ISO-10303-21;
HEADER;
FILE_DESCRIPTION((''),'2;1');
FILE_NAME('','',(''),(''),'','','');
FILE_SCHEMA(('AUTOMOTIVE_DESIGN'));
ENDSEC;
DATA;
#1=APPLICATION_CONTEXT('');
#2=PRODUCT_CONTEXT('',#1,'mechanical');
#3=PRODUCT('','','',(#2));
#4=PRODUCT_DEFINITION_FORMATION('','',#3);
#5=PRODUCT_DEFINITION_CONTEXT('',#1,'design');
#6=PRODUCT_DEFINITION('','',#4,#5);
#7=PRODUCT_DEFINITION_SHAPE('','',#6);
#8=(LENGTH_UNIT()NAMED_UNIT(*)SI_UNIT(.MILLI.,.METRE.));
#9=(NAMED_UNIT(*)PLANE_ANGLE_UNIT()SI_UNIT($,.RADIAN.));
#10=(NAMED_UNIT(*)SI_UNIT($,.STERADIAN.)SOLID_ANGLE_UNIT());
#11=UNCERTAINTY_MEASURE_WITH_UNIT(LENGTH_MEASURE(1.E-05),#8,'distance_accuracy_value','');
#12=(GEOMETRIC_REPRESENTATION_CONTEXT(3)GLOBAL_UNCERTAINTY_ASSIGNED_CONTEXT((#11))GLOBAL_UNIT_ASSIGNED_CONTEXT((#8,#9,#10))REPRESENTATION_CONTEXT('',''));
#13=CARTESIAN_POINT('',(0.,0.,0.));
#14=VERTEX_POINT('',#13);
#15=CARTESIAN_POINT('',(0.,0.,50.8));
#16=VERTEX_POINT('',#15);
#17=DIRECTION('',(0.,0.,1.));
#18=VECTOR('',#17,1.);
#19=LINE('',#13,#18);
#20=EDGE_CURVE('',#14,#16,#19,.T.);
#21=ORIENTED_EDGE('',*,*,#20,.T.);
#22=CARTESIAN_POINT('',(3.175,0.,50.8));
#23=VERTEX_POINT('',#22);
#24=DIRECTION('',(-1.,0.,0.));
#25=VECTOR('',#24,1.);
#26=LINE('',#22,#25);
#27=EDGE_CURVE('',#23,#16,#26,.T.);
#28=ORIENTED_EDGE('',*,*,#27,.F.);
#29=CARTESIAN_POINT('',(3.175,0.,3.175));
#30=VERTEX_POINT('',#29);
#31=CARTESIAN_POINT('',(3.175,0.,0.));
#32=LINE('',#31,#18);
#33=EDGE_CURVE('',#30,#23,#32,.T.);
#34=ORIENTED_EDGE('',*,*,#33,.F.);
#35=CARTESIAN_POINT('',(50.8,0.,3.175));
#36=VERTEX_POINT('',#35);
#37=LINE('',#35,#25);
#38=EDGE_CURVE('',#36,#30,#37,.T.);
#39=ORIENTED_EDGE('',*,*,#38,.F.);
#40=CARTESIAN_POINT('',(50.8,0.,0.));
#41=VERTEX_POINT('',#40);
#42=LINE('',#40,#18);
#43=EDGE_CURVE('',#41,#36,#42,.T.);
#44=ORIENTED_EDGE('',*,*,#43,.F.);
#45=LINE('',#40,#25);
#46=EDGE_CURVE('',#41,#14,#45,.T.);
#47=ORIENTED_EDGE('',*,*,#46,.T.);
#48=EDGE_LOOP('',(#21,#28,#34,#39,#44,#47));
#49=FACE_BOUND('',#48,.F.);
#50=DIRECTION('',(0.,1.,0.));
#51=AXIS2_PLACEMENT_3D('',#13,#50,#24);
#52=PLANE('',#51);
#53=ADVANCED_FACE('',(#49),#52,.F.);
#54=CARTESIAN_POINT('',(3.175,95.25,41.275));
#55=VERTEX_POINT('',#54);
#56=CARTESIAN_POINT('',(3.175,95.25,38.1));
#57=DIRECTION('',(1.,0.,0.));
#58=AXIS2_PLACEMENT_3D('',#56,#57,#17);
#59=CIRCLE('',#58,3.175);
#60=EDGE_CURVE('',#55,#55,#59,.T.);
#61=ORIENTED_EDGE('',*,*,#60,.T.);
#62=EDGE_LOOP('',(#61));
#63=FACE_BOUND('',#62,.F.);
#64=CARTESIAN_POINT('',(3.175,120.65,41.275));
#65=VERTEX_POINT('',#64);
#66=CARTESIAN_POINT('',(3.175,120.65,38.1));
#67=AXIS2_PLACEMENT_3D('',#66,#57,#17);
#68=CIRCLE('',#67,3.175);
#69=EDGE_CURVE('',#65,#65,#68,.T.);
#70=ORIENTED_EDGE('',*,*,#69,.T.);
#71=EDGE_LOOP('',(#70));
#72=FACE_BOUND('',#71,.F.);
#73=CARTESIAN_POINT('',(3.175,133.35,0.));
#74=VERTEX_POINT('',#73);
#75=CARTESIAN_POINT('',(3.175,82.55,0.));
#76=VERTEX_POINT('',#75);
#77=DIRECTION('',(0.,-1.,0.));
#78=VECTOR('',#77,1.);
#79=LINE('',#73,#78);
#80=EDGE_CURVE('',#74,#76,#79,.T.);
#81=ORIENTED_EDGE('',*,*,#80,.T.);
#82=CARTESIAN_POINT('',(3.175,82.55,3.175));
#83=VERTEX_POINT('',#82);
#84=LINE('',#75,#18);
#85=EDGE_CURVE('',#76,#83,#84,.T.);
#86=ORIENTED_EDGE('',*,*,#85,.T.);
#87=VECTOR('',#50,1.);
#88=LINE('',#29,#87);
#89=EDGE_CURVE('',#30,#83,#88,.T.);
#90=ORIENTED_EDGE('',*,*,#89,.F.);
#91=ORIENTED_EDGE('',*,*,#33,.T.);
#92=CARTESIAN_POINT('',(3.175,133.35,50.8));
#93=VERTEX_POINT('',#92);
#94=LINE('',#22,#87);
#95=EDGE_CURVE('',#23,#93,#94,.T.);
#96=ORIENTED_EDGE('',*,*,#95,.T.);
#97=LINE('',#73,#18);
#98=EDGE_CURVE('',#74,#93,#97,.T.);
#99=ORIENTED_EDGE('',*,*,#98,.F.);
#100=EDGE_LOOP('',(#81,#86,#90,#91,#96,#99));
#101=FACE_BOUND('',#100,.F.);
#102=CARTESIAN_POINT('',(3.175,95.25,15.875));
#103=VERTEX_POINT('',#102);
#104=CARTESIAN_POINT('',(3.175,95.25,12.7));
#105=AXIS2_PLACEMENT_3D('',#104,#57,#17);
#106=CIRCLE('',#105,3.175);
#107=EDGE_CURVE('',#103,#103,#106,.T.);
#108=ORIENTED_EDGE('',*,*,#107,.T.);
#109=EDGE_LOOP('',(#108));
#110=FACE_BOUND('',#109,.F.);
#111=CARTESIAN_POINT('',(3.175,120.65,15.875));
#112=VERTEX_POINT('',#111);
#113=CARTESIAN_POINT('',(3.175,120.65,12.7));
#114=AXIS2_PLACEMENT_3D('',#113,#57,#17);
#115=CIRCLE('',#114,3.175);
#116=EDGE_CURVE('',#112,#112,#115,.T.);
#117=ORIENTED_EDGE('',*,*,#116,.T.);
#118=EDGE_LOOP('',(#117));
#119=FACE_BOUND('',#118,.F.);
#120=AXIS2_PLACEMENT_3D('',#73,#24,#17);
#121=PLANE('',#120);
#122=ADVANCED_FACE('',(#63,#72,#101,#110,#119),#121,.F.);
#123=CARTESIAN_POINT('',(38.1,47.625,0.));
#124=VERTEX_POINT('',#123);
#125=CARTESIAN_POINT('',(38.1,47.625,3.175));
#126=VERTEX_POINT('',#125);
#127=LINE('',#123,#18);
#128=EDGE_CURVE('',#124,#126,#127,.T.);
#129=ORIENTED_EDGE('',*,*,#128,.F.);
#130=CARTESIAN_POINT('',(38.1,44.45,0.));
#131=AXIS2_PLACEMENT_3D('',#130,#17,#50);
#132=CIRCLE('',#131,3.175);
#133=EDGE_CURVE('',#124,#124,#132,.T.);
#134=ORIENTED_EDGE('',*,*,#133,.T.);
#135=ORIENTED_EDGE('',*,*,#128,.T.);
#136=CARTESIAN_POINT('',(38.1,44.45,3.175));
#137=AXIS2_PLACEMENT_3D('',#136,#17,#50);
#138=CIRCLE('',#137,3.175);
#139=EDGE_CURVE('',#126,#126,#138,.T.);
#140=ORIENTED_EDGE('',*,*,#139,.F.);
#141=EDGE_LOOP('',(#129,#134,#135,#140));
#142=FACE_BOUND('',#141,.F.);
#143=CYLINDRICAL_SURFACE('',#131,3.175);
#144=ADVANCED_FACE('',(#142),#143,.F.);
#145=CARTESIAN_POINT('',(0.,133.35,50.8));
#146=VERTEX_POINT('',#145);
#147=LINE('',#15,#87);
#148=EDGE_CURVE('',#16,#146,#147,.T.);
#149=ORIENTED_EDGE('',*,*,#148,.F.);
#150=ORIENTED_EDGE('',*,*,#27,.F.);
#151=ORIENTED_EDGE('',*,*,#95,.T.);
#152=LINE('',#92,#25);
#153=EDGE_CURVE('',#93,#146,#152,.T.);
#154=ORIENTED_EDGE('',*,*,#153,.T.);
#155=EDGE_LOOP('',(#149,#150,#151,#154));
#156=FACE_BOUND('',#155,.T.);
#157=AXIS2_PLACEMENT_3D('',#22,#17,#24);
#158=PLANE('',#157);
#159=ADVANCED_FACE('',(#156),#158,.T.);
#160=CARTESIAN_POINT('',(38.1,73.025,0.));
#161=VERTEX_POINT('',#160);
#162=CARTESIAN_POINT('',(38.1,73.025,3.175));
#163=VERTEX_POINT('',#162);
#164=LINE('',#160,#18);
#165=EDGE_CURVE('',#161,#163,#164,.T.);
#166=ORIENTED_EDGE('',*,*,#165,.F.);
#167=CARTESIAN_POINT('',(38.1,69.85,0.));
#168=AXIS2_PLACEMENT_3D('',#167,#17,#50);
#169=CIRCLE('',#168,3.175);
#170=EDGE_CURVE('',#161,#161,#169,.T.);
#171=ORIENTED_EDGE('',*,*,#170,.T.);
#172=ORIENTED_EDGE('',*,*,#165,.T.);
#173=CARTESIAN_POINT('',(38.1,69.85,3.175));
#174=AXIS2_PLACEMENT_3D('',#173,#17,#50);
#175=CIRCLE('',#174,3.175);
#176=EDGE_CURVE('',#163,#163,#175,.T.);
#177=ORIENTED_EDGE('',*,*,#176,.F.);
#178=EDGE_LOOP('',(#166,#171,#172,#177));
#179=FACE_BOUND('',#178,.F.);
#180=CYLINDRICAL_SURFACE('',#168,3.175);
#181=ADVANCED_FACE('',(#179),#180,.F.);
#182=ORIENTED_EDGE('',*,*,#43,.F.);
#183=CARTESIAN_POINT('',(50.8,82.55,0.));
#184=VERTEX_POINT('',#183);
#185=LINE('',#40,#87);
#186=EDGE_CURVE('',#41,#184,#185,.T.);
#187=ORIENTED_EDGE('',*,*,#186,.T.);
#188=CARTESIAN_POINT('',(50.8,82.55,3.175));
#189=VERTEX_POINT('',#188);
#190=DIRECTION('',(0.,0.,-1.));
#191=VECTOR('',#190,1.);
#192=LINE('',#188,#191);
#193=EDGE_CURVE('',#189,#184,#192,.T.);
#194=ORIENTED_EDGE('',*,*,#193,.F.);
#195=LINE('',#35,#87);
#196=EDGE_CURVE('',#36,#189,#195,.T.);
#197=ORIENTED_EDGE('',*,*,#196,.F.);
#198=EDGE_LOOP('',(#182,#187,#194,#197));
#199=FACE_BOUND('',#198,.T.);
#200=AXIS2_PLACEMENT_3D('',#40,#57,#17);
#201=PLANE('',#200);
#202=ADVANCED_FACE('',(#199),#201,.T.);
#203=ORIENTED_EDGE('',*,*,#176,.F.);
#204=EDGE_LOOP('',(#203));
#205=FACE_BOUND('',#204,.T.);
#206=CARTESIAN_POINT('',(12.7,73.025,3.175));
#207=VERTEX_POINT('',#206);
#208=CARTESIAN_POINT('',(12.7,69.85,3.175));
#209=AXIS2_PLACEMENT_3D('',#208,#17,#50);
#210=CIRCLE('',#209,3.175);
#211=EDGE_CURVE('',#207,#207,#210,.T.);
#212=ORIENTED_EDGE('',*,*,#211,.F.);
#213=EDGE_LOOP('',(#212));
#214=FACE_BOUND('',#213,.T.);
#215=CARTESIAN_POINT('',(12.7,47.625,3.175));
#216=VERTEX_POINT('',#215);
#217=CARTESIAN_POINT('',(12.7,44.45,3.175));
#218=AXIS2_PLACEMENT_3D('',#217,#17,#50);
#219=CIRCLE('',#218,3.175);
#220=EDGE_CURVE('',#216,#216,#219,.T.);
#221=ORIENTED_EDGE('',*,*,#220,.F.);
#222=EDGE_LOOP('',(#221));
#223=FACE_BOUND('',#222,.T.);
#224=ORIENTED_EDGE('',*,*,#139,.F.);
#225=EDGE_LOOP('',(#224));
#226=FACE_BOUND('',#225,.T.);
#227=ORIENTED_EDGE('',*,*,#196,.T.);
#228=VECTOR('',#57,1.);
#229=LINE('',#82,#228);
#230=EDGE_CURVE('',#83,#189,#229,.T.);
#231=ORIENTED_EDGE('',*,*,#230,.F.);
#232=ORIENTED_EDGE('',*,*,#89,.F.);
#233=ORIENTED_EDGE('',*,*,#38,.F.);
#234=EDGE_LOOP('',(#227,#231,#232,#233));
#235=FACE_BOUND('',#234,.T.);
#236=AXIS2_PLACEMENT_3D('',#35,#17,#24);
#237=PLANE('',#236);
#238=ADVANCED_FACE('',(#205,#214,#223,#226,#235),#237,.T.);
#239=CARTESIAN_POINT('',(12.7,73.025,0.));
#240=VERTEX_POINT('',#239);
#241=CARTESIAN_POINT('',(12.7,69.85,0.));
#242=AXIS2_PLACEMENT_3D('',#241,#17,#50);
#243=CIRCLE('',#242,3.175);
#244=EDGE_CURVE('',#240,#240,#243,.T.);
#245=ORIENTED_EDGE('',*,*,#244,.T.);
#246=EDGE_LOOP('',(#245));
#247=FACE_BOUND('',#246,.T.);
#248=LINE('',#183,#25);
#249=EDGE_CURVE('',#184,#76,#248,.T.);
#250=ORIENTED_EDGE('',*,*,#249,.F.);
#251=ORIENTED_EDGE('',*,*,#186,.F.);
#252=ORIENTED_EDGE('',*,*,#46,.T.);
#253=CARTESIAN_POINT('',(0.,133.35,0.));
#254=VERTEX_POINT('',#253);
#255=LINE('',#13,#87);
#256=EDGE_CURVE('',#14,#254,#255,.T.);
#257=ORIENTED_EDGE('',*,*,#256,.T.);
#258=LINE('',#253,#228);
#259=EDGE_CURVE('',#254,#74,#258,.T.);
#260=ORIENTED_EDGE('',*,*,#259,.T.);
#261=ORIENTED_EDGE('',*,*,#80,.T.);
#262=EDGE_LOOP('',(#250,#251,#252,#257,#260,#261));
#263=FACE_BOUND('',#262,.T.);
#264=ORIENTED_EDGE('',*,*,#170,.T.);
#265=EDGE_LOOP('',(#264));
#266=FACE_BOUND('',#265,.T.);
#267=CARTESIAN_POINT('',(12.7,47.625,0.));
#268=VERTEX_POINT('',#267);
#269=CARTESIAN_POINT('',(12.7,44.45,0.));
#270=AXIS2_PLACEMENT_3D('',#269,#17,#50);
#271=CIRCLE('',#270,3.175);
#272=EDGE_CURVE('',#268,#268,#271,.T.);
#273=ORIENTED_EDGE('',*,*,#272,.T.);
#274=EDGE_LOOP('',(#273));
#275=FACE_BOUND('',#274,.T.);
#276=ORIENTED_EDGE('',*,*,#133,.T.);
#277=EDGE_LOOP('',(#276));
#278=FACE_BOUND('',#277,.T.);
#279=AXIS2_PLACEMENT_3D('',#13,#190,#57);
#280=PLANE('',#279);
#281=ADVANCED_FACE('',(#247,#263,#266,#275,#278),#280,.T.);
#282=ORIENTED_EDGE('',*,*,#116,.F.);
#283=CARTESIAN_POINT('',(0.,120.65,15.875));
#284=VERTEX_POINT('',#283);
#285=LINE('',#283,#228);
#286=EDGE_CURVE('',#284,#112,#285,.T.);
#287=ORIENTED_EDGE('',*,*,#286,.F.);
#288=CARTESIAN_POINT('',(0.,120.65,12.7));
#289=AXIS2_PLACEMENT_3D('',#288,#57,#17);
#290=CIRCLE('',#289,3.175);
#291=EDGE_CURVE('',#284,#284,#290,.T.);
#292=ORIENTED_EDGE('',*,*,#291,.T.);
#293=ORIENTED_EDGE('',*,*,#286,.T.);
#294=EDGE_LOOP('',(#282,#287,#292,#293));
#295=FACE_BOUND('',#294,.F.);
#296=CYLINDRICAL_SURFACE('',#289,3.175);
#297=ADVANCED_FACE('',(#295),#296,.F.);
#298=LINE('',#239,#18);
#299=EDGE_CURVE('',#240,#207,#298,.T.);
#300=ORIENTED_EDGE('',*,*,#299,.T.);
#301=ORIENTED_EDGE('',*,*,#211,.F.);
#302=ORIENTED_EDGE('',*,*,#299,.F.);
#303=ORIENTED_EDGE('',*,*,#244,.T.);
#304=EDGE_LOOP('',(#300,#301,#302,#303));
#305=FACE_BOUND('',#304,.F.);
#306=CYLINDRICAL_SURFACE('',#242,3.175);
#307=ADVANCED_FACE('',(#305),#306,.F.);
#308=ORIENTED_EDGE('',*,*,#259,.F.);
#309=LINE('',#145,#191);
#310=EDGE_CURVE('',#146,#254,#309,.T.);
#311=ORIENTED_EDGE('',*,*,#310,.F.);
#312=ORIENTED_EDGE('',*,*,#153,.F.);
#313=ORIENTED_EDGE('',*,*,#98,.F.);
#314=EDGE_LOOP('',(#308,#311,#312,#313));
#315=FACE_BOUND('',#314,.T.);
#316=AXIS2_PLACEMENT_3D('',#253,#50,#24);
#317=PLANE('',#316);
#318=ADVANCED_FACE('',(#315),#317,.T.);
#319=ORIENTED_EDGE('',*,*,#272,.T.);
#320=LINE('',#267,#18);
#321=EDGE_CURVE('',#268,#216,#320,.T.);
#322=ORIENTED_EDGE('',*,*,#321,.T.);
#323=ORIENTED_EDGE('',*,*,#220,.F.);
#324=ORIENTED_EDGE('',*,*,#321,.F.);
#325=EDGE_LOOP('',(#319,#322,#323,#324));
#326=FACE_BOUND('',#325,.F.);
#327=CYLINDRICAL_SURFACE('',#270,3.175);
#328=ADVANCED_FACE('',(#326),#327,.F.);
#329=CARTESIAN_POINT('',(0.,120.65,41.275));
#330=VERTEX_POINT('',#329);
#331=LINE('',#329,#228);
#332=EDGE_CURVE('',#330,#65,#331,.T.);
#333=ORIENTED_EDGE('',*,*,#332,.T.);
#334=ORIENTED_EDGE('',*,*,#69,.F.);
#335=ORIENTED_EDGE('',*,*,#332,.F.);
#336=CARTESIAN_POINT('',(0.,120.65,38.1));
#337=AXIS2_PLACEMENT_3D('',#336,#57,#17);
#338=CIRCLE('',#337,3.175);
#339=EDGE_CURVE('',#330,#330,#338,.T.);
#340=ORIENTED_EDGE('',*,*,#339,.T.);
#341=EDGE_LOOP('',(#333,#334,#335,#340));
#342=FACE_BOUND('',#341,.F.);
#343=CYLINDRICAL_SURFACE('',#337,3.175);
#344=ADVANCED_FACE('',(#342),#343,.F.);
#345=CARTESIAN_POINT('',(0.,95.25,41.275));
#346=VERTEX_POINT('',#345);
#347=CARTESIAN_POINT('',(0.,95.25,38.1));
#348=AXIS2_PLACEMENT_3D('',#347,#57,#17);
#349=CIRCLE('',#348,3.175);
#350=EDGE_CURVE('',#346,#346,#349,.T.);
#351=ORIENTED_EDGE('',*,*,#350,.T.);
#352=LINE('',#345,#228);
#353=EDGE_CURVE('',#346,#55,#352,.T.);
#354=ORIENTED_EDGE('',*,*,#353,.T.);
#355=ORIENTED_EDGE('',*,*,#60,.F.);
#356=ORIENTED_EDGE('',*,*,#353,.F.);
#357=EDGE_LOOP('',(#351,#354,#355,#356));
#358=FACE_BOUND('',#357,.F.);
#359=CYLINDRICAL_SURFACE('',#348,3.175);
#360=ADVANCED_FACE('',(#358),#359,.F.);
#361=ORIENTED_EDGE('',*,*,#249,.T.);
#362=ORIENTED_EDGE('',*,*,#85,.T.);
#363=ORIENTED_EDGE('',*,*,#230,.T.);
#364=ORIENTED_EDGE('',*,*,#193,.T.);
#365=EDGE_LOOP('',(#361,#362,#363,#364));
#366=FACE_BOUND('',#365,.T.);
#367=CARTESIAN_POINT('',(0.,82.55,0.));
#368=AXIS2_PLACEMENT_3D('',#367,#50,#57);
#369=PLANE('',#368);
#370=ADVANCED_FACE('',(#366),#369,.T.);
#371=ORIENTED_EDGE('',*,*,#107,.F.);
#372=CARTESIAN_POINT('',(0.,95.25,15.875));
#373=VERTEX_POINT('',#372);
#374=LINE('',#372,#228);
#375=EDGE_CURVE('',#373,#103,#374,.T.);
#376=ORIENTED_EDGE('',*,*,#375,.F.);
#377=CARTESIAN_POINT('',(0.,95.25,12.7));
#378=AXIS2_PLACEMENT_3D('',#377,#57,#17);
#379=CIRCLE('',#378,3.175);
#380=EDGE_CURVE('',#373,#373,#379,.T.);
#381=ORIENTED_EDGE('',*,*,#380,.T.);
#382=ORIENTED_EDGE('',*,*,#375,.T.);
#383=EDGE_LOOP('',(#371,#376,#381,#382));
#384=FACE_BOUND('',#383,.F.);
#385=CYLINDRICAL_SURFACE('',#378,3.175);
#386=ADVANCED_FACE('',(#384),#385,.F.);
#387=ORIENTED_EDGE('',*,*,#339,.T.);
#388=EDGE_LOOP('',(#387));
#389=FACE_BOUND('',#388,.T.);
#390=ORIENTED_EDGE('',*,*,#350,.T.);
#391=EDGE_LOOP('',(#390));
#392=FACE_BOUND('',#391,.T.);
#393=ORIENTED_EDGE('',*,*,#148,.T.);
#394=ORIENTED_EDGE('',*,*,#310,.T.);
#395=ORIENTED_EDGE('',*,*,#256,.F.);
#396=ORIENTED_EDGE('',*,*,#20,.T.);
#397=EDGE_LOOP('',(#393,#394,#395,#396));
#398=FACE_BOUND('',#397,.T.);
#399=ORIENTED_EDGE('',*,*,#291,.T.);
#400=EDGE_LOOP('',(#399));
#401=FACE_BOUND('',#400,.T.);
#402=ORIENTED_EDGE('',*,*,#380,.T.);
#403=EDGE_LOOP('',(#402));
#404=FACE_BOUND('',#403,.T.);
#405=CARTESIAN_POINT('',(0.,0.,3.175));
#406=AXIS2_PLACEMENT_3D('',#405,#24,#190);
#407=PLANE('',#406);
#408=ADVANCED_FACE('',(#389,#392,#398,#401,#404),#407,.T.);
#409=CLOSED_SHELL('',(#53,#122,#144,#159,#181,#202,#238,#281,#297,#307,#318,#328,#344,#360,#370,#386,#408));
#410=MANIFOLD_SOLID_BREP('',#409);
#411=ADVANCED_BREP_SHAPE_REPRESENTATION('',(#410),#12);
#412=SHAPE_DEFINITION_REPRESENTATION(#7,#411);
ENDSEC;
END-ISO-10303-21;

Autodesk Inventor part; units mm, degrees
ref_plane "YZ Plane" through (0, 0, 0) normal (1, 0, 0) x (0, 1, 0)
ref_plane "XZ Plane" through (0, 0, 0) normal (0, 1, 0) x (-1, 0, 0)
ref_plane "XY Plane" through (0, 0, 0) normal (0, 0, 1) x (1, 0, 0)
sketch "Sketch1" plane through (0, 0, 0) normal (0, 1, 0) x (-1, 0, 0)
  line L0 (0, 0) -> (-3.175, 0)
  line L1 (-3.175, 0) -> (-3.175, 50.8)
  line L2 (-3.175, 50.8) -> (0, 50.8)
  line L3 (0, 50.8) -> (0, 0)
  line L4 (0, 0) -> (-50.8, 0)
  line L5 (-50.8, 0) -> (-50.8, 3.175)
  line L6 (-50.8, 3.175) -> (0, 3.175)
  line L7 (0, 3.175) -> (0, 0)
  dimension "d0" = 3.175
  dimension "d1" = 50.8
  dimension "d2" = 50.8
  dimension "d3" = 3.175
extrude "Extrusion1" add sketch "Sketch1" along normal blind 133.35
sketch "Sketch2" plane through (0, 0, 0) normal (-1, 0, 0) x (0, 0, 1)
  line L0 (0, 0) -> (50.8, 0) projected
  line L1 (50.8, 0) -> (50.8, 133.35) projected
  line L2 (0, 133.35) -> (50.8, 133.35) projected
  line L3 (0, 0) -> (0, 133.35) projected
  point P0 (12.7, 120.65)
  point P1 (38.1, 120.65)
  point P2 (38.1, 95.25)
  point P3 (12.7, 95.25)
  dimension "d6" = 12.7
  dimension "d7" = 12.7
  dimension "d8" = 12.7
  dimension "d9" = 12.7
  dimension "d10" = 12.7
  dimension "d11" = 38.1
  dimension "d12" = 12.7
  dimension "d13" = 38.1
hole "Hole1" at (0, 120.65, 12.7) at (0, 120.65, 38.1) at (0, 95.25, 38.1) at (0, 95.25, 12.7) direction (1, 0, 0) diameter 6.35 end through all
sketch "Sketch3" plane through (50.8, 0, 0) normal (0, 0, -1) x (-1, 0, 0)
  line L0 (0, 0) -> (50.8, 0) projected
  line L1 (50.8, 0) -> (50.8, 133.35) projected
  line L2 (0, 133.35) -> (50.8, 133.35) projected
  line L3 (0, 0) -> (0, 133.35) projected
  point P0 (12.7, 69.85)
  point P1 (38.1, 69.85)
  point P2 (38.1, 44.45)
  point P3 (12.7, 44.45)
  dimension "d21" = 12.7
  dimension "d22" = 12.7
  dimension "d23" = 63.5
  dimension "d24" = 63.5
  dimension "d34" = 12.7
  dimension "d35" = 88.9
  dimension "d36" = 88.9
  dimension "d37" = 12.7
sketch "Sketch4" plane through (0, 133.35, 0) normal (0, 1, 0) x (1, 0, 0)
  line L0 (0, 0) -> (0, -50.8) projected
  line L1 (0, -50.8) -> (3.175, -50.8) projected
  line L2 (3.175, -50.8) -> (3.175, -3.175) projected
  line L3 (3.175, -3.175) -> (50.8, -3.175) projected
  line L4 (50.8, -3.175) -> (50.8, 0) projected
  line L5 (50.8, 0) -> (0, 0) projected
  line L6 (50.8, 0) -> (3.175, 0)
  line L7 (3.175, 0) -> (3.175, -3.175)
  line L8 (3.175, -3.175) -> (50.8, -3.175)
  line L9 (50.8, -3.175) -> (50.8, 0)
extrude "Extrusion2" cut sketch "Sketch4" against normal blind 50.8 contours L5 L4 L3 L7
hole "Hole3" at (38.1, 69.85, 0) at (12.7, 69.85, 0) at (12.7, 44.45, 0) at (38.1, 44.45, 0) direction (0, 0, 1) diameter 6.35 end through all
properties part number "2x2 angle vertical left"
